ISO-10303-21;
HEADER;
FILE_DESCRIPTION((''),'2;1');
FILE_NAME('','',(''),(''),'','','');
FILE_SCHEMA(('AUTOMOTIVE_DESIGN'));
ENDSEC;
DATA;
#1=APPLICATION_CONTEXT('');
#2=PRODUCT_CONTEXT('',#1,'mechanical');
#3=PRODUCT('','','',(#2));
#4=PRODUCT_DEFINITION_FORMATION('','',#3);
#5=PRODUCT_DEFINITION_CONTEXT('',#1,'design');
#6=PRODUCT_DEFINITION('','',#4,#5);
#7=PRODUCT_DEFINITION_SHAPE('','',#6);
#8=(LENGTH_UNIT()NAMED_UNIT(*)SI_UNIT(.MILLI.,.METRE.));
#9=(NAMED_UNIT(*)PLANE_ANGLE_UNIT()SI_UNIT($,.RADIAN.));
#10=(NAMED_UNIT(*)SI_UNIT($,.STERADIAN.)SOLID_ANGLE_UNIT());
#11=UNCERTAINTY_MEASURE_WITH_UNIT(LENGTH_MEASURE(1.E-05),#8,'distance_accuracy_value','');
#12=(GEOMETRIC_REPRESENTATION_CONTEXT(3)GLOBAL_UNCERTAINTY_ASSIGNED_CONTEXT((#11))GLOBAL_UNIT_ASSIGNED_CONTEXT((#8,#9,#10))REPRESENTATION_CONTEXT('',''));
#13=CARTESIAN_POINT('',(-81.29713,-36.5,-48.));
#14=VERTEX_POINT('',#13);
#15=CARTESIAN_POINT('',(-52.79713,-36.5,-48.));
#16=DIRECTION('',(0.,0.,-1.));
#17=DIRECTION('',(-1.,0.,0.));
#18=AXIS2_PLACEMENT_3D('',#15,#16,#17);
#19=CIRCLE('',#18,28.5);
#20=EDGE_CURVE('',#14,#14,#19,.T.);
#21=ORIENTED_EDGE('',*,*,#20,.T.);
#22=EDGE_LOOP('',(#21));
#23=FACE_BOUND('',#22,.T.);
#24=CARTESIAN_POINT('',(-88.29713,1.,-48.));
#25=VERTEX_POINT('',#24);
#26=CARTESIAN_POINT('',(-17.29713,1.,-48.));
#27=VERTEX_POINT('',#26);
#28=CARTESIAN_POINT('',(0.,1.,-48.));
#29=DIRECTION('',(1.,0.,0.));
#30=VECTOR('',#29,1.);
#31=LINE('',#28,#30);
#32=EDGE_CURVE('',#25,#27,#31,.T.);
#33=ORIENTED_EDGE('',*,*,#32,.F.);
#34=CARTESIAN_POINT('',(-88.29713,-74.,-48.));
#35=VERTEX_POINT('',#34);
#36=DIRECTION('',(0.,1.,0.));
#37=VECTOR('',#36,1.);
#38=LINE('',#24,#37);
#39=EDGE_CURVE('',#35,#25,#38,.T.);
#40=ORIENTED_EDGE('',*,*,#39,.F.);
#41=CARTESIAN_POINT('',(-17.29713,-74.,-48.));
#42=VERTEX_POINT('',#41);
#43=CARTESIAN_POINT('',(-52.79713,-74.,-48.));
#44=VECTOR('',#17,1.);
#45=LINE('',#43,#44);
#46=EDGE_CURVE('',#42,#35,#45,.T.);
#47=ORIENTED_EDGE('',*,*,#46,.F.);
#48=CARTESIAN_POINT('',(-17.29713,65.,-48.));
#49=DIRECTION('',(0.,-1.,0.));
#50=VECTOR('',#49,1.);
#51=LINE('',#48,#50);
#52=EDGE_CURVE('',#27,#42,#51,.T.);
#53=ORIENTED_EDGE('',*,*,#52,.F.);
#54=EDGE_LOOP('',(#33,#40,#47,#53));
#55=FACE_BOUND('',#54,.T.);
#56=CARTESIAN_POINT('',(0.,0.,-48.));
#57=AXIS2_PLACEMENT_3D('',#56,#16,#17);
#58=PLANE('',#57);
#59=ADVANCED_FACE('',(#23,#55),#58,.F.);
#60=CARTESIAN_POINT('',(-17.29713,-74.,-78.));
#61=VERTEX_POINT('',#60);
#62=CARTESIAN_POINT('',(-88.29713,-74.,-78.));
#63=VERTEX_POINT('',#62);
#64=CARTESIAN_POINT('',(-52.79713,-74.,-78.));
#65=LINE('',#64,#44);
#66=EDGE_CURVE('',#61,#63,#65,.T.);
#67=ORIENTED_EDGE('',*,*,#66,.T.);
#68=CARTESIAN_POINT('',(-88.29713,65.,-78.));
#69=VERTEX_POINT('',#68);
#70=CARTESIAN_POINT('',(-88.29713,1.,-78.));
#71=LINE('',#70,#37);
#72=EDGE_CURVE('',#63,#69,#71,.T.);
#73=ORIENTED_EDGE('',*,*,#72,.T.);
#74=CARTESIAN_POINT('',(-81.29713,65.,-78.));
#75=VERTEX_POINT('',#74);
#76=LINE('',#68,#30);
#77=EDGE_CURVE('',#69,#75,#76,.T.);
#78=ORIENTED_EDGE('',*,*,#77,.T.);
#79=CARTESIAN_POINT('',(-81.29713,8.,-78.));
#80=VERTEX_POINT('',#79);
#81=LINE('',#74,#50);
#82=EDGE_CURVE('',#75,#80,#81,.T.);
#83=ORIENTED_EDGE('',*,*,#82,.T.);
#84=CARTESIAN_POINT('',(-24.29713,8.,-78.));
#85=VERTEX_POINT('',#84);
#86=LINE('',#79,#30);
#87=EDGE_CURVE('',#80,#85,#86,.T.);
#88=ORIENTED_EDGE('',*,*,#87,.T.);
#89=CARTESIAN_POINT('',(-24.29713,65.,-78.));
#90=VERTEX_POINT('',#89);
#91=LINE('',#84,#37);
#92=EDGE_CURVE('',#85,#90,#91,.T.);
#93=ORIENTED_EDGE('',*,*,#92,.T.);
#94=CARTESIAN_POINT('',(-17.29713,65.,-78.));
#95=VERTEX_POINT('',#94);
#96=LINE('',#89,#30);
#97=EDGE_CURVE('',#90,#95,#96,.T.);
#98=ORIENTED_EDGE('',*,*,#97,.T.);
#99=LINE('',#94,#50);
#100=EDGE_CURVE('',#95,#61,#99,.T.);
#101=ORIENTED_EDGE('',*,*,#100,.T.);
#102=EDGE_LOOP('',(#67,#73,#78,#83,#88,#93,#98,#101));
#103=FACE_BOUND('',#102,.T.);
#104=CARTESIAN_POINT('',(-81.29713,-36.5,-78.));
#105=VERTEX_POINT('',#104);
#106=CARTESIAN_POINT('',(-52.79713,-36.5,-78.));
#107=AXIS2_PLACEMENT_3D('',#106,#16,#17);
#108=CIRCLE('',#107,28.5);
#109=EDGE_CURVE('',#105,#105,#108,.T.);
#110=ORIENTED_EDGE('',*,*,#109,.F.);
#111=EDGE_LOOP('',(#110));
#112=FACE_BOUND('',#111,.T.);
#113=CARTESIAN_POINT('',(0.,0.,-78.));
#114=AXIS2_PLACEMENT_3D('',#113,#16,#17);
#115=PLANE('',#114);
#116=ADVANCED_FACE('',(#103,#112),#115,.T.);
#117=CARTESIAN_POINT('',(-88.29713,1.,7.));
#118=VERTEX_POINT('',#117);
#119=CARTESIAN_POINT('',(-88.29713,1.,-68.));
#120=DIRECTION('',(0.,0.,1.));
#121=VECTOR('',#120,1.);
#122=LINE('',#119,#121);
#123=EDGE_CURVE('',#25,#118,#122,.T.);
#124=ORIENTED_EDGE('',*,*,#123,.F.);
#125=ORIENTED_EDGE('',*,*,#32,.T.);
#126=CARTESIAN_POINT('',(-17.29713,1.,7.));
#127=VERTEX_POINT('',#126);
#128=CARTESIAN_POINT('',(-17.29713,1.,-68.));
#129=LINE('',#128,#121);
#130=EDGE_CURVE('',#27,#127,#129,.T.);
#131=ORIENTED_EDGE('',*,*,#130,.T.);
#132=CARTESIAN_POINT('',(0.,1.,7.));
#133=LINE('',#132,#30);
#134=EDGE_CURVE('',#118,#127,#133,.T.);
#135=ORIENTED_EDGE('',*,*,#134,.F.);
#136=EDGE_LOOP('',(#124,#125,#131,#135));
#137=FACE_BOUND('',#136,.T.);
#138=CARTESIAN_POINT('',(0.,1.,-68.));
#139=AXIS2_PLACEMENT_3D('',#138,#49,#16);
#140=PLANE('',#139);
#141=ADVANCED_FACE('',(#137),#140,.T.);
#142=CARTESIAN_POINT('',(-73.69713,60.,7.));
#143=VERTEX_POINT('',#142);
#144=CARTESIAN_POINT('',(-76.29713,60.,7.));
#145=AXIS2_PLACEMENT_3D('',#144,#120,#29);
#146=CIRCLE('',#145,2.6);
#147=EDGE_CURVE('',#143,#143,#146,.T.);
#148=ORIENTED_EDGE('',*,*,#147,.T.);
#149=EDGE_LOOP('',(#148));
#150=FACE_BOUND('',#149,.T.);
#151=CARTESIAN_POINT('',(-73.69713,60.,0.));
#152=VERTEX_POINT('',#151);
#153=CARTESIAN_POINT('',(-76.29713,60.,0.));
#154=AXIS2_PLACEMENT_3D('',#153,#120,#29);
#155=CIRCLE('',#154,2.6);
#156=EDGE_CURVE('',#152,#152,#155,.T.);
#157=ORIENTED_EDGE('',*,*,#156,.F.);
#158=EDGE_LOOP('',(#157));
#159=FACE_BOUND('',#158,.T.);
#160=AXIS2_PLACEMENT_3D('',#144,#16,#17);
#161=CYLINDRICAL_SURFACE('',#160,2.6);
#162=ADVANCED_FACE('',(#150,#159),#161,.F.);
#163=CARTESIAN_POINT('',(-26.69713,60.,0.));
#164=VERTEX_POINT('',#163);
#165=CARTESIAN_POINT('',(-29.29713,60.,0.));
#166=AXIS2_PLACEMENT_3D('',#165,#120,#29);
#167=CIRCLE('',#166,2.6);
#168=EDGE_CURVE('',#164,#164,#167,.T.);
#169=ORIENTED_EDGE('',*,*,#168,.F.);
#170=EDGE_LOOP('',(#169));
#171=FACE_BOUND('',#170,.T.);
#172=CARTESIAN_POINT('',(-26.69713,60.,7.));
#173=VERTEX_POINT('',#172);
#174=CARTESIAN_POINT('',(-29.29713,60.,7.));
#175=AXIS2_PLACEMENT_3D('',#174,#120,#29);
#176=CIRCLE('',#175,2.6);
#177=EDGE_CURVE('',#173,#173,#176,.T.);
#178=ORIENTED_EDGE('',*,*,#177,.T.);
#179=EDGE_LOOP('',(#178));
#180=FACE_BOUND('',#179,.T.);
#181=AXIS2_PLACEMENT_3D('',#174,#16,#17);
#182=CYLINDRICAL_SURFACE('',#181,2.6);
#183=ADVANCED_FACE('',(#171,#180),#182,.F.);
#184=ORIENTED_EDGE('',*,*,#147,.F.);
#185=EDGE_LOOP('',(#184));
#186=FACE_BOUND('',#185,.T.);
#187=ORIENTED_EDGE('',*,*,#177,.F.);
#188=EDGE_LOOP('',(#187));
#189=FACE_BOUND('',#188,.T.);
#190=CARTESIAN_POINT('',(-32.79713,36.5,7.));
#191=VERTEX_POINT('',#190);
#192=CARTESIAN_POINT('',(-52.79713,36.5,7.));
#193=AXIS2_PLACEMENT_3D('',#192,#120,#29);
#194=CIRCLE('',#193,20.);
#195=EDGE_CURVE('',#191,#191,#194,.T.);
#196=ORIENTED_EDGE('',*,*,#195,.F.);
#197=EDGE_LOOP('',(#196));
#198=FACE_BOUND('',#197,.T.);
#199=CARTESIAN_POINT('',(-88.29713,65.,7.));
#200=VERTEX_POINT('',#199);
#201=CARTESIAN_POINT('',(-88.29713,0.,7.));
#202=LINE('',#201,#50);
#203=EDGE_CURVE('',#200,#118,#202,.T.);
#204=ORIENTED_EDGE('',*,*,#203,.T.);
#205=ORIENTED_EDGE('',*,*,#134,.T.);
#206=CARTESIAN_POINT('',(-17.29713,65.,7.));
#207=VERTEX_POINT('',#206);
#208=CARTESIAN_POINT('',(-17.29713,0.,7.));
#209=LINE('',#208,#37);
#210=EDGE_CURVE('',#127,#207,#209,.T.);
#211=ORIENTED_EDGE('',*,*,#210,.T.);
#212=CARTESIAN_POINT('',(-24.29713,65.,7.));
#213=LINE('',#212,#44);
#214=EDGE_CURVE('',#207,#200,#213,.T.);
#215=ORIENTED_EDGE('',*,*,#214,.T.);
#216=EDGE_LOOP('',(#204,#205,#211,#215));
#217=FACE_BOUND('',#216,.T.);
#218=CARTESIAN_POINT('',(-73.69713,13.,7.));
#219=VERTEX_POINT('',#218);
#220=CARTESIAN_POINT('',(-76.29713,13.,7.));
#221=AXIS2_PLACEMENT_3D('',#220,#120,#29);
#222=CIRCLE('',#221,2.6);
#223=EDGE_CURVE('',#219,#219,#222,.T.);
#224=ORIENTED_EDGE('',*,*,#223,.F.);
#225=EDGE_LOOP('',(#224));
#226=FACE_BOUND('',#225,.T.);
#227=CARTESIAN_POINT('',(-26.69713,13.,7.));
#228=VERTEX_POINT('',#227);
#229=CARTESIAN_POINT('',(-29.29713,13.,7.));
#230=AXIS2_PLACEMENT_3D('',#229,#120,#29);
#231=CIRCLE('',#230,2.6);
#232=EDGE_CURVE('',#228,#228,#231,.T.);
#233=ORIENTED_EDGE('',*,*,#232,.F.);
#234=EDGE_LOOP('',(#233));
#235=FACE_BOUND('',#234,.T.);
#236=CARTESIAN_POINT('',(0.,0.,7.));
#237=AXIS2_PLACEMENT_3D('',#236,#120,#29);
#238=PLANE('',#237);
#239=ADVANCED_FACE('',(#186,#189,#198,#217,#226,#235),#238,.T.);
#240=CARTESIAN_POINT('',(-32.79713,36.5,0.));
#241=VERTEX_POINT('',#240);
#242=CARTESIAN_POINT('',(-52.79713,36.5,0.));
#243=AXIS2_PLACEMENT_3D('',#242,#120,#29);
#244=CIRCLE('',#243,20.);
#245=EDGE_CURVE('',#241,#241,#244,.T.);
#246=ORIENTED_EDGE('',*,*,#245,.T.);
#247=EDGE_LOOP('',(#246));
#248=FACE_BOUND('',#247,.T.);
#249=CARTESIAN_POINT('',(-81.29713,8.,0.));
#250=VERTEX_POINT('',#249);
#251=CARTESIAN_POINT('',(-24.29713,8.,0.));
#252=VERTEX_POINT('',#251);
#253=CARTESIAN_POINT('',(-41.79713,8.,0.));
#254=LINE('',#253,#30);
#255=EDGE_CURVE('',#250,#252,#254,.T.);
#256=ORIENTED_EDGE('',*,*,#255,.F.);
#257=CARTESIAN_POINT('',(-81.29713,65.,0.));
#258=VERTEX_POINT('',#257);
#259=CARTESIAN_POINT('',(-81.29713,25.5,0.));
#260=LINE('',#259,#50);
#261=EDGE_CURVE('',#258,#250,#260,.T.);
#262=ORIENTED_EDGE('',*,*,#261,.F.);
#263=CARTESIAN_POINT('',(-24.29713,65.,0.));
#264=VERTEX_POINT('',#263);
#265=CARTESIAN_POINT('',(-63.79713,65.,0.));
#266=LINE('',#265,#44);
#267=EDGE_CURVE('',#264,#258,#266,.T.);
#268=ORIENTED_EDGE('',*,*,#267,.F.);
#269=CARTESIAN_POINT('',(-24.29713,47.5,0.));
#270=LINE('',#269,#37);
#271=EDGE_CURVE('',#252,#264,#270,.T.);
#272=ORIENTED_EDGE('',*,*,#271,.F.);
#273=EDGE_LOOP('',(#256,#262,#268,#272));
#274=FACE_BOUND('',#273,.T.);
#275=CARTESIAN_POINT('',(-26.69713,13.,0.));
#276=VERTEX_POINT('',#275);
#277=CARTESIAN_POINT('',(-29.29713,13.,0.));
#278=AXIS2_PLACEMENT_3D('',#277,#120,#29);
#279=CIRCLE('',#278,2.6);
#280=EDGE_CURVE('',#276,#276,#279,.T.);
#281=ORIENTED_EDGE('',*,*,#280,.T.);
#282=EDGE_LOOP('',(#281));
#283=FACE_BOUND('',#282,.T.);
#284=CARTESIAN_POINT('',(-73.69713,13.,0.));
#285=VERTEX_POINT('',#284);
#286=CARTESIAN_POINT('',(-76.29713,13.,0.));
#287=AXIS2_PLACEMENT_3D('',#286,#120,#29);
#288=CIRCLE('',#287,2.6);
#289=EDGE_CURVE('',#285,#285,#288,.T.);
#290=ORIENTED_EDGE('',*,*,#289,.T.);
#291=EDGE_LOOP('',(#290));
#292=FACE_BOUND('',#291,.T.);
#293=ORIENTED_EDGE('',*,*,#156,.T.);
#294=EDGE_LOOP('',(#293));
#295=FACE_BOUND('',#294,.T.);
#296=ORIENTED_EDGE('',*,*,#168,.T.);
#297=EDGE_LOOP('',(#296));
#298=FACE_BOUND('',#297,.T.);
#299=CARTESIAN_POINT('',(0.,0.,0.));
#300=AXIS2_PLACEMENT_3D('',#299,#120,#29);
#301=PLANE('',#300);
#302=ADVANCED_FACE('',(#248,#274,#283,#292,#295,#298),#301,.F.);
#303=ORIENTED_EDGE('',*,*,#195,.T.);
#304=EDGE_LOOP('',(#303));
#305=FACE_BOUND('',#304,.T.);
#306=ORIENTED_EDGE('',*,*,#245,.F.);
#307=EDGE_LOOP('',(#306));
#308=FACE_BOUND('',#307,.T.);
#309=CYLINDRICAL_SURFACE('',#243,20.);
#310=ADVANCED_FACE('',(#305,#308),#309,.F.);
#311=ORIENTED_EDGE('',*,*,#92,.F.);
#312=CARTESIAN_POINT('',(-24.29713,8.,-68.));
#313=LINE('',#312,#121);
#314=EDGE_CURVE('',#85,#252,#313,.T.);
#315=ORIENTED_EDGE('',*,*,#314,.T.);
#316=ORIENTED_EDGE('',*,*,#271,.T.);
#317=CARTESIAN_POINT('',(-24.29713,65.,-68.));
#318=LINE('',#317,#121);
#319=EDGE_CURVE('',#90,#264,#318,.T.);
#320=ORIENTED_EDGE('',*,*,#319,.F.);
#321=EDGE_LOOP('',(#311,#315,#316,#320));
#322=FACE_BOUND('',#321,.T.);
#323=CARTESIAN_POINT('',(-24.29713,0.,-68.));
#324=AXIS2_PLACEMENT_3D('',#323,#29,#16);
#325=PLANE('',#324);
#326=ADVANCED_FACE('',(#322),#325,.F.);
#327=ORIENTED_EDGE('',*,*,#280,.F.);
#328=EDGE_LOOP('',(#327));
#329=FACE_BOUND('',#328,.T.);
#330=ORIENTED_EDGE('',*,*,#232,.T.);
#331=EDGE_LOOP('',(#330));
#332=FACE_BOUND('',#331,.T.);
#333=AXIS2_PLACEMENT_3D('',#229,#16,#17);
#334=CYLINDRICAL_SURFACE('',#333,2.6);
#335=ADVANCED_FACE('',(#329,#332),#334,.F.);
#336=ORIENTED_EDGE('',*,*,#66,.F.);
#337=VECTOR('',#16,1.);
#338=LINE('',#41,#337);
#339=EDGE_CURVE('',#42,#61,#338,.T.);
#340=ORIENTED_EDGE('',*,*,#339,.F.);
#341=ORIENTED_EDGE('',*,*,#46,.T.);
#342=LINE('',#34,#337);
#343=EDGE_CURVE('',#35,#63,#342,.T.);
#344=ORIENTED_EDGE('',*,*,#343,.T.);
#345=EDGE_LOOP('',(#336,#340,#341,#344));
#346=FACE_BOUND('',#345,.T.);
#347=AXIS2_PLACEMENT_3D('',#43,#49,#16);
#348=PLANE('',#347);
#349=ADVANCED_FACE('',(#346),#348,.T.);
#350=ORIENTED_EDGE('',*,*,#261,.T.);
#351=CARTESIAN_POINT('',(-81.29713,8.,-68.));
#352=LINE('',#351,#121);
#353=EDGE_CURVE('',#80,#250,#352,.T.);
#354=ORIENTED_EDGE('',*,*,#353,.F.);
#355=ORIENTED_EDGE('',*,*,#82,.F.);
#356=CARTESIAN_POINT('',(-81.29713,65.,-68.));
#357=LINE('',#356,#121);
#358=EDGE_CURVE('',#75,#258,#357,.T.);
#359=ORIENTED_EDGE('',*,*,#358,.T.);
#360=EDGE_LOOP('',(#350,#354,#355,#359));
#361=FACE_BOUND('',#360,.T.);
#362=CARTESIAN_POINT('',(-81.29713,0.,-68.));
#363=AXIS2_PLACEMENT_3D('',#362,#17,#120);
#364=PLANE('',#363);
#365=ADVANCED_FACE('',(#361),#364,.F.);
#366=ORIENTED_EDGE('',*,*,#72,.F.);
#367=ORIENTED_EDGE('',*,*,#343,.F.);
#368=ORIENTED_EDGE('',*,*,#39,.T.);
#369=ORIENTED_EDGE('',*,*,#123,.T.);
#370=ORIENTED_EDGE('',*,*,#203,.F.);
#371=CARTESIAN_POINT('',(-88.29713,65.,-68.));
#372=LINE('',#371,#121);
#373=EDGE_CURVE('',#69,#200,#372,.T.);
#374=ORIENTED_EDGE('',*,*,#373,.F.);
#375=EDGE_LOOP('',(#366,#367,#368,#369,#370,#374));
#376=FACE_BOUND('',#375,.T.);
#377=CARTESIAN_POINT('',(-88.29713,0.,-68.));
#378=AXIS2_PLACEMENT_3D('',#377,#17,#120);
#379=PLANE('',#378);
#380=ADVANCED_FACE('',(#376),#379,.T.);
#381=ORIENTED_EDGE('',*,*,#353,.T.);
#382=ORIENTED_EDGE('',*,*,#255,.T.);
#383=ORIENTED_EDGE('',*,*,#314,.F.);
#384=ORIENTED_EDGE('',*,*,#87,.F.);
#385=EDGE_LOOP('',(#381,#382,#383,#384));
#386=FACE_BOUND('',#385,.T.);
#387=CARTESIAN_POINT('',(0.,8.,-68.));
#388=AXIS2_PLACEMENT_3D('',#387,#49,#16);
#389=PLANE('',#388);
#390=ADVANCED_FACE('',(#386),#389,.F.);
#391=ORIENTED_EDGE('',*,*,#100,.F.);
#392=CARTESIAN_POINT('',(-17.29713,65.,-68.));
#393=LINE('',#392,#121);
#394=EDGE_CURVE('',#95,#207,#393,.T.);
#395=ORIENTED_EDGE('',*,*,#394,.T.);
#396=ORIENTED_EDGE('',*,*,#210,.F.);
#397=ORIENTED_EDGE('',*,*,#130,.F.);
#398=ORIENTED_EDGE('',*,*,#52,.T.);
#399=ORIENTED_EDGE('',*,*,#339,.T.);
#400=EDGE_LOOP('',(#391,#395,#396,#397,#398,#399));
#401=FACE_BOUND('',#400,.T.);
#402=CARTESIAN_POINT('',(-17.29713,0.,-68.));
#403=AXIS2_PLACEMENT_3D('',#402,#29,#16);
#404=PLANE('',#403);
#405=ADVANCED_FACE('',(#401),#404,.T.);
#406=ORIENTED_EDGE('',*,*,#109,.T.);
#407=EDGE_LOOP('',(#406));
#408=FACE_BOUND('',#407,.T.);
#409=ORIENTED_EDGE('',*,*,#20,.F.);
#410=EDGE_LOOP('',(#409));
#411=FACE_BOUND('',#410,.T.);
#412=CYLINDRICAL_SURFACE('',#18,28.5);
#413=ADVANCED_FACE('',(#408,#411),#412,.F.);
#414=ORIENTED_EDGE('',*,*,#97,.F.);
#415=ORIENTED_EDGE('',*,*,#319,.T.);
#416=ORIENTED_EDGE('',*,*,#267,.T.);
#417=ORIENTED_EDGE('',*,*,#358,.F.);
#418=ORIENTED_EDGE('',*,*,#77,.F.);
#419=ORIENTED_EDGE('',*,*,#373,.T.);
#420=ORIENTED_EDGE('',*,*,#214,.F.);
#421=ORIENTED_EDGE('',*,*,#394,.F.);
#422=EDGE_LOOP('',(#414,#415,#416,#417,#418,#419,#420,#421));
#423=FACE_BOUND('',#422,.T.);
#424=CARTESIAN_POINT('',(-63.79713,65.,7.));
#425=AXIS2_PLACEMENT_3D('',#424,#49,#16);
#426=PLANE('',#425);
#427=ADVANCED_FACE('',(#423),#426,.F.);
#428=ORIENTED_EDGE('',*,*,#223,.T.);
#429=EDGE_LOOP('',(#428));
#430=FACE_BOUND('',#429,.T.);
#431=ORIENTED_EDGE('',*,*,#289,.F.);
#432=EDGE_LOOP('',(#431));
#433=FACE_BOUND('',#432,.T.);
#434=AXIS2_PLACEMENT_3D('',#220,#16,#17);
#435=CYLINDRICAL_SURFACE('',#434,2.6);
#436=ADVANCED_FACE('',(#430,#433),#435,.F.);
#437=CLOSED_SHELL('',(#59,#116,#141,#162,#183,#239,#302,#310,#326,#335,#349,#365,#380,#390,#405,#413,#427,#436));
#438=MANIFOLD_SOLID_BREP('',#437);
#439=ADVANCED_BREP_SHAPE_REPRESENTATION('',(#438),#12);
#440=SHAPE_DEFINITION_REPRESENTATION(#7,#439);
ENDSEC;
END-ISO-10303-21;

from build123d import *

# Parameters (mm, degrees)
SKETCH1_R                = 2.6
BOSS_EXTRUDE1_DEPTH      = 7
SKETCH3_R                = 20
CUT_EXTRUDE1_DEPTH       = 105.322688225
BOSS_EXTRUDE2_DEPTH      = 75
BOSS_EXTRUDE3_DEPTH      = 10
BOSS_EXTRUDE3_DEPTH_BACK = 20
SKETCH5_R                = 28.5


with BuildPart() as part:
    # Sketch1 → Boss-Extrude1 (new body)
    with BuildSketch(Plane.XY):
        Polygon((-81.297129584, 62), (-81.297129584, 25.5), (-81.297129584, 8), (-78.297129584, 8), (-41.797129584, 8), (-24.297129584, 8), (-24.297129584, 11), (-24.297129584, 47.5), (-24.297129584, 65), (-27.297129584, 65), (-63.797129584, 65), (-81.297129584, 65), align=None)
        with Locations((-76.297129584, 13)):
            Circle(SKETCH1_R, mode=Mode.SUBTRACT)
        with Locations((-29.297129584, 13)):
            Circle(SKETCH1_R, mode=Mode.SUBTRACT)
        with Locations((-29.297129584, 60)):
            Circle(SKETCH1_R, mode=Mode.SUBTRACT)
        with Locations((-76.297129584, 60)):
            Circle(SKETCH1_R, mode=Mode.SUBTRACT)
    extrude(amount=BOSS_EXTRUDE1_DEPTH)

    # Sketch3 → Cut-Extrude1 (cut, through all)
    with BuildSketch(Plane.XY.offset(7)):
        with Locations((-52.797129584, 36.5)):
            Circle(SKETCH3_R)
    extrude(amount=-CUT_EXTRUDE1_DEPTH, mode=Mode.SUBTRACT)

    # Sketch4 → Boss-Extrude2 (add)
    with BuildSketch(Plane.XY.offset(7)):
        Polygon((-24.297129584, 65), (-17.297129584, 65), (-17.297129584, 1), (-88.297129584, 1), (-88.297129584, 65), (-81.297129584, 65), (-81.297129584, 8), (-24.297129584, 8), align=None)
    extrude(amount=-BOSS_EXTRUDE2_DEPTH)

    # Sketch5 → Boss-Extrude3 (add, two sides: drawn at the far end of the back side and taken through both)
    with BuildSketch(Plane(origin=(0, 0, -68), x_dir=(-1, 0, 0), z_dir=(0, 0, -1)).offset(-BOSS_EXTRUDE3_DEPTH_BACK)):
        Polygon((88.297129584, 1), (88.297129584, -74), (52.797129584, -74), (17.297129584, -74), (17.297129584, 1), (17.297129584, 65), (24.297129584, 65), (24.297129584, 8), (81.297129584, 8), (81.297129584, 65), (88.297129584, 65), align=None)
        with Locations((52.797129584, -36.5)):
            Circle(SKETCH5_R, mode=Mode.SUBTRACT)
    extrude(amount=BOSS_EXTRUDE3_DEPTH + BOSS_EXTRUDE3_DEPTH_BACK)


solid = part.part
